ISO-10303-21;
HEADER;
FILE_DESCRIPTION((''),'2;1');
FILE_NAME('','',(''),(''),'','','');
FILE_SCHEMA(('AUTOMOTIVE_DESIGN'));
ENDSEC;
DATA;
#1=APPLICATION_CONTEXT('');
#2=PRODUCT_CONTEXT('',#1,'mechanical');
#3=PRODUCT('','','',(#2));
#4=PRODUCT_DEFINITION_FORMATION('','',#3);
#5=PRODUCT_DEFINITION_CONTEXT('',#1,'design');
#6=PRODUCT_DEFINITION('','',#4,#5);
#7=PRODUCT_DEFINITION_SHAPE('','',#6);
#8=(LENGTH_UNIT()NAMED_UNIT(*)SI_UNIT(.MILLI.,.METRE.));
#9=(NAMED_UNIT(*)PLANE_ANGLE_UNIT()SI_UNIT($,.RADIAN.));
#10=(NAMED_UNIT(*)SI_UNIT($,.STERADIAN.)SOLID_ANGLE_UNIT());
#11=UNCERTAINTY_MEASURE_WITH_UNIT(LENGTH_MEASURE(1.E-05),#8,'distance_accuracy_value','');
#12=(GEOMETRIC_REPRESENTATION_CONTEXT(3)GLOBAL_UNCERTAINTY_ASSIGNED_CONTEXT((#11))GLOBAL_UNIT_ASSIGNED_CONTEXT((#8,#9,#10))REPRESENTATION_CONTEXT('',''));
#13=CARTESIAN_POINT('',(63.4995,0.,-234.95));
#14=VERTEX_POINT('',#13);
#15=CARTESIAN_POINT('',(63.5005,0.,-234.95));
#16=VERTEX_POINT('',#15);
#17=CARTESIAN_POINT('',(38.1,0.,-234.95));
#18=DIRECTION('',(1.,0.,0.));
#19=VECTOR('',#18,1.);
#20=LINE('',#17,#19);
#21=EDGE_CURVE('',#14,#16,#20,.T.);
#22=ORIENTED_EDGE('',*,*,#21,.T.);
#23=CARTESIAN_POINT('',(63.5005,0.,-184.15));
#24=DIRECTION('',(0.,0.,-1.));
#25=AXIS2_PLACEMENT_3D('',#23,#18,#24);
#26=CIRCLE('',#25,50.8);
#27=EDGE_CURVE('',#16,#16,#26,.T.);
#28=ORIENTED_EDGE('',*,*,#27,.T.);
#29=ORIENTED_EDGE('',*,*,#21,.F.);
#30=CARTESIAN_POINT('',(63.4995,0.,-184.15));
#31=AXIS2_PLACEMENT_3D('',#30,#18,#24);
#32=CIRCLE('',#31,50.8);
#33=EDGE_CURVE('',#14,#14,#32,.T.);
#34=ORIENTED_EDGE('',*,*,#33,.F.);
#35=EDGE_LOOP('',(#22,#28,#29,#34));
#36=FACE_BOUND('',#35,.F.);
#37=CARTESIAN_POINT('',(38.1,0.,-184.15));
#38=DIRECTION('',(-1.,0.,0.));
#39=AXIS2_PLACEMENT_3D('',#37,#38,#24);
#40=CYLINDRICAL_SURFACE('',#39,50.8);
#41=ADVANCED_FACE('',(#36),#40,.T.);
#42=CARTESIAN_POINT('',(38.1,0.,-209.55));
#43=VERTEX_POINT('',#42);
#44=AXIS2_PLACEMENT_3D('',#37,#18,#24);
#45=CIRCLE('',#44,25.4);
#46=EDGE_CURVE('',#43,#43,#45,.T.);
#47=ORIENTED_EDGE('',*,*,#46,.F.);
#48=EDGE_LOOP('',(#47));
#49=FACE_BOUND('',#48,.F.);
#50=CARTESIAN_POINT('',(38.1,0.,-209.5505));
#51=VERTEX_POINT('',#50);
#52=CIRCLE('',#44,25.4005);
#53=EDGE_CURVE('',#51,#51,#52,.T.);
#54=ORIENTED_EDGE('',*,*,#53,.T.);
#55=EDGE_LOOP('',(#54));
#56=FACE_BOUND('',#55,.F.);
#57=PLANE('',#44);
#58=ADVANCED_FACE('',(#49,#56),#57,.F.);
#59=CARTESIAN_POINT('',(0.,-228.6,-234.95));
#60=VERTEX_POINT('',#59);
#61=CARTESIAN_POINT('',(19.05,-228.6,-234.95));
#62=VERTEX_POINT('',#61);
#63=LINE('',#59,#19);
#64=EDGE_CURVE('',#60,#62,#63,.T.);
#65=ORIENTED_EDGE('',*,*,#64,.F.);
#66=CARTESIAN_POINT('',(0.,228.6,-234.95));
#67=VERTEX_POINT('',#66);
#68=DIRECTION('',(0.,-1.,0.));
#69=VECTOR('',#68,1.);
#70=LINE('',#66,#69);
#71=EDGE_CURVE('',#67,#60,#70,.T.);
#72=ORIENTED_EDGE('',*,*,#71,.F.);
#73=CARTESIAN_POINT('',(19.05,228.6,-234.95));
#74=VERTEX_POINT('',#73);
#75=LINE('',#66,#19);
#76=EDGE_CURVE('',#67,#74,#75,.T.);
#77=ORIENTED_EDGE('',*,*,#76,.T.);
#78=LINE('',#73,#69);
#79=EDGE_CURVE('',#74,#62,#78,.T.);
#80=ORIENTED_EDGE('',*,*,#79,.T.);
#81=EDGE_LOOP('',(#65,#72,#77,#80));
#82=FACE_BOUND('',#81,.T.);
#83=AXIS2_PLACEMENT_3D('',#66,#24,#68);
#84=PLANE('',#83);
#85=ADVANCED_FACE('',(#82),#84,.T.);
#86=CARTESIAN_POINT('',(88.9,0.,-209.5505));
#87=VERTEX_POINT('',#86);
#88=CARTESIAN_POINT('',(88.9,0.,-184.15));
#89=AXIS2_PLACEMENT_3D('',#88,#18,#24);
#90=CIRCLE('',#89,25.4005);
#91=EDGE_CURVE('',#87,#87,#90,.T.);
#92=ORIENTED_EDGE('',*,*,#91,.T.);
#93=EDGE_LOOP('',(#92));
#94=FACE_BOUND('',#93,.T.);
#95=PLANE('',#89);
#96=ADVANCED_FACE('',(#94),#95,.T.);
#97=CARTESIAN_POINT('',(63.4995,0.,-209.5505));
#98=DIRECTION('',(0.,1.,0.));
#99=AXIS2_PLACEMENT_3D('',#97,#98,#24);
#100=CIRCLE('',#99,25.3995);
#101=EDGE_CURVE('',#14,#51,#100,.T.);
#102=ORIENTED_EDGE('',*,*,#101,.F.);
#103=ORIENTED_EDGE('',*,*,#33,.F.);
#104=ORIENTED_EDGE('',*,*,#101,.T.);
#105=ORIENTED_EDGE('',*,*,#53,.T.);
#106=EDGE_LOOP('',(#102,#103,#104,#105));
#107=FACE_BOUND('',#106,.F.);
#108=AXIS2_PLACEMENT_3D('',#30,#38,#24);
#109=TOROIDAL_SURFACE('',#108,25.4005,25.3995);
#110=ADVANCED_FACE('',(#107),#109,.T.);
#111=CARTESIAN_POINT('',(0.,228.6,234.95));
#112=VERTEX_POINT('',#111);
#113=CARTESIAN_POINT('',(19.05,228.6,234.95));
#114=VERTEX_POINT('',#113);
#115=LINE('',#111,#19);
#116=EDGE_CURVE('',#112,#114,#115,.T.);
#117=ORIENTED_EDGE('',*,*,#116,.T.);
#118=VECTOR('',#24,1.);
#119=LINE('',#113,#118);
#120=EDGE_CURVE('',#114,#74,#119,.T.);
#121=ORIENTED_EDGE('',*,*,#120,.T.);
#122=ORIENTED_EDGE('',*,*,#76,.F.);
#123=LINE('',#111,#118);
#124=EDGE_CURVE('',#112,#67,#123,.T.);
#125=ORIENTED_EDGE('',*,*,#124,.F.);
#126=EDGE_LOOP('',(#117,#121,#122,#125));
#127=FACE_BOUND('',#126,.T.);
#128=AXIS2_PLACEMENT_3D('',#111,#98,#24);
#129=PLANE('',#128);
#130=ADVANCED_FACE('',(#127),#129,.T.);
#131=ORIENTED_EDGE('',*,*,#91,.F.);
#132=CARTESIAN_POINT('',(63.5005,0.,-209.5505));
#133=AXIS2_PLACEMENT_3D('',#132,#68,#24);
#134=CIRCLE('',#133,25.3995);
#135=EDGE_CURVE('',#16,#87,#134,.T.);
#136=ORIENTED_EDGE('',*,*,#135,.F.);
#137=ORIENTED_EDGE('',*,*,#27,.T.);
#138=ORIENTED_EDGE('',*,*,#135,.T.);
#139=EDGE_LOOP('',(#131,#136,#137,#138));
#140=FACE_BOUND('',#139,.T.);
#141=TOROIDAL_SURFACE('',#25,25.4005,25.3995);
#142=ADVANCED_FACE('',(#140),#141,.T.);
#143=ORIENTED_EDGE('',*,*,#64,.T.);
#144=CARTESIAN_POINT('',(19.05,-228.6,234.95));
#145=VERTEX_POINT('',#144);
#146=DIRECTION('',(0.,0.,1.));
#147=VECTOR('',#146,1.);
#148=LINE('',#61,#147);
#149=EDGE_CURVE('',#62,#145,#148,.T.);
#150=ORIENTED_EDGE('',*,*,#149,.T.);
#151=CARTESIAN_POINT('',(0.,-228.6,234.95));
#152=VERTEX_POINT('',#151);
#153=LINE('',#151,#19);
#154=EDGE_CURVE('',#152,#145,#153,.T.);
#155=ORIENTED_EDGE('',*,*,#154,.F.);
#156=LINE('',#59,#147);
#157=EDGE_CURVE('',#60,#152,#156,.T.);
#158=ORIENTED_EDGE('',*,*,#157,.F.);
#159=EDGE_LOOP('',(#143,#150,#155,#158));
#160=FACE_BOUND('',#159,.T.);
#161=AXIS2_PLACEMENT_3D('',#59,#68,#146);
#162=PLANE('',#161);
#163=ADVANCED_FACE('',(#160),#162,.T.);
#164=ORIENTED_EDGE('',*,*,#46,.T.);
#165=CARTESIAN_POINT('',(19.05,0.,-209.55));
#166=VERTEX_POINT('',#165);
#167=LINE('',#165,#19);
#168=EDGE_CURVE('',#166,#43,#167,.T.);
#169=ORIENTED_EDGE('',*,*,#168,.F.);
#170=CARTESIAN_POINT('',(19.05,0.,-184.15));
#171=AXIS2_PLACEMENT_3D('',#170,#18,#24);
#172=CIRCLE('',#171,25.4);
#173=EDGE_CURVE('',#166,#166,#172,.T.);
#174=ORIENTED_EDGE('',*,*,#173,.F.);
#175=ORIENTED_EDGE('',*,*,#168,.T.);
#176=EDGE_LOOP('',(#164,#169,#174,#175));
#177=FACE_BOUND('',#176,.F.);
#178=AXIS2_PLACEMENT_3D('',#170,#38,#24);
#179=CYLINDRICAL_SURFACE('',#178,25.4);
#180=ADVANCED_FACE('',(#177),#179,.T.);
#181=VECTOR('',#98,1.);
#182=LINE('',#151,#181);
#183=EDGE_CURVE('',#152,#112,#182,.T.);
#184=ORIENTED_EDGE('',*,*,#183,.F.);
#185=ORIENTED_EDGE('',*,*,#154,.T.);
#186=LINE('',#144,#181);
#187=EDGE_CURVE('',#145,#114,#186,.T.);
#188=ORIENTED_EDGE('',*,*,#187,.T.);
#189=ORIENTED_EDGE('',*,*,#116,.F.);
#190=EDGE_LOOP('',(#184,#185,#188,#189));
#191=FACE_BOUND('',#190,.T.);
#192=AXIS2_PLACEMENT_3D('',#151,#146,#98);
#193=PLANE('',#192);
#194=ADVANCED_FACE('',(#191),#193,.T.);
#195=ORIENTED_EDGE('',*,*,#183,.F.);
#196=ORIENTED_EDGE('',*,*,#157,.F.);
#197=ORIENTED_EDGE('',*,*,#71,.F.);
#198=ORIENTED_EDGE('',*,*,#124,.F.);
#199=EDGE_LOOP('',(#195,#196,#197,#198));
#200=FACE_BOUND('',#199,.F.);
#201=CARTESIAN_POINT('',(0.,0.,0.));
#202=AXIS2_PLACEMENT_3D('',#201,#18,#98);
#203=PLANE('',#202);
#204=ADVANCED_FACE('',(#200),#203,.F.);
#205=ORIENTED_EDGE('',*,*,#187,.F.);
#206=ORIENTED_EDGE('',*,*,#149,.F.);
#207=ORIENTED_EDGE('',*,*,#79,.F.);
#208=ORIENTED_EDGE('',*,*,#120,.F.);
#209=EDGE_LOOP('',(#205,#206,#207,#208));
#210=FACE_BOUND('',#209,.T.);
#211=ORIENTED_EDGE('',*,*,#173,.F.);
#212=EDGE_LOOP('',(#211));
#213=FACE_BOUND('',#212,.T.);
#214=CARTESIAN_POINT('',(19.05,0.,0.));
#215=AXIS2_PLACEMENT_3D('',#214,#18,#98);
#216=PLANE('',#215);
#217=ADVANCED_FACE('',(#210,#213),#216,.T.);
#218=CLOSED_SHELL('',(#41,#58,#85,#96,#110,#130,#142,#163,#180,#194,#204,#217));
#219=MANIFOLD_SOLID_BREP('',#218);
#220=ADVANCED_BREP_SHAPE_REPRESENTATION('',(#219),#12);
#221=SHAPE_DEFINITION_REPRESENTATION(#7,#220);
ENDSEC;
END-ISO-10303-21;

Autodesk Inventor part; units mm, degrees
ref_plane "YZ Plane" through (0, 0, 0) normal (1, 0, 0) x (0, 1, 0)
ref_plane "XZ Plane" through (0, 0, 0) normal (0, 1, 0) x (-1, 0, 0)
ref_plane "XY Plane" through (0, 0, 0) normal (0, 0, 1) x (1, 0, 0)
sketch "Sketch1" plane through (0, 0, 0) normal (1, 0, 0) x (0, 1, 0)
  line L0 (-228.6, 234.95) -> (228.6, 234.95)
  line L1 (228.6, 234.95) -> (228.6, -234.95)
  line L2 (228.6, -234.95) -> (-228.6, -234.95)
  line L3 (-228.6, -234.95) -> (-228.6, 234.95)
  line L4 (-228.6, 234.95) -> (228.6, -234.95) construction
  line L5 (228.6, 234.95) -> (-228.6, -234.95) construction
  point P0 (0, 0)
  dimension "d0" = 457.2
  dimension "d1" = 469.9
extrude "Extrusion1" add sketch "Sketch1" along normal blind 19.05
sketch "Sketch2" plane through (19.05, 0, 0) normal (1, 0, 0) x (0, 0, -1)
  circle A0 centre (184.15, 0) radius 25.4
  line L0 (234.95, -228.6) -> (234.95, 228.6) projected
  point P0 (0, 0)
  point P1 (234.95, 0)
  dimension "d4" = 50.8
  dimension "d5" = 50.8
extrude "Extrusion2" add sketch "Sketch2" along normal blind 19.05
sketch "Sketch3" plane through (38.1, 0, -184.15) normal (1, 0, 0) x (0, 0, -1)
  circle A0 centre (0, 0) radius 50.8
  line L0 (50.8, -228.6) -> (50.8, 228.6) projected
  point P0 (-184.15, 0)
  dimension "d8" = 50.8
  dimension "d9" = 101.6
extrude "Extrusion3" add sketch "Sketch3" along normal blind 50.8
fillet "Fillet1" radius 25.4 2 edges at (88.9, 0, -133.35) (38.1, 0, -133.35)
properties part number "front door (for assembly)"
